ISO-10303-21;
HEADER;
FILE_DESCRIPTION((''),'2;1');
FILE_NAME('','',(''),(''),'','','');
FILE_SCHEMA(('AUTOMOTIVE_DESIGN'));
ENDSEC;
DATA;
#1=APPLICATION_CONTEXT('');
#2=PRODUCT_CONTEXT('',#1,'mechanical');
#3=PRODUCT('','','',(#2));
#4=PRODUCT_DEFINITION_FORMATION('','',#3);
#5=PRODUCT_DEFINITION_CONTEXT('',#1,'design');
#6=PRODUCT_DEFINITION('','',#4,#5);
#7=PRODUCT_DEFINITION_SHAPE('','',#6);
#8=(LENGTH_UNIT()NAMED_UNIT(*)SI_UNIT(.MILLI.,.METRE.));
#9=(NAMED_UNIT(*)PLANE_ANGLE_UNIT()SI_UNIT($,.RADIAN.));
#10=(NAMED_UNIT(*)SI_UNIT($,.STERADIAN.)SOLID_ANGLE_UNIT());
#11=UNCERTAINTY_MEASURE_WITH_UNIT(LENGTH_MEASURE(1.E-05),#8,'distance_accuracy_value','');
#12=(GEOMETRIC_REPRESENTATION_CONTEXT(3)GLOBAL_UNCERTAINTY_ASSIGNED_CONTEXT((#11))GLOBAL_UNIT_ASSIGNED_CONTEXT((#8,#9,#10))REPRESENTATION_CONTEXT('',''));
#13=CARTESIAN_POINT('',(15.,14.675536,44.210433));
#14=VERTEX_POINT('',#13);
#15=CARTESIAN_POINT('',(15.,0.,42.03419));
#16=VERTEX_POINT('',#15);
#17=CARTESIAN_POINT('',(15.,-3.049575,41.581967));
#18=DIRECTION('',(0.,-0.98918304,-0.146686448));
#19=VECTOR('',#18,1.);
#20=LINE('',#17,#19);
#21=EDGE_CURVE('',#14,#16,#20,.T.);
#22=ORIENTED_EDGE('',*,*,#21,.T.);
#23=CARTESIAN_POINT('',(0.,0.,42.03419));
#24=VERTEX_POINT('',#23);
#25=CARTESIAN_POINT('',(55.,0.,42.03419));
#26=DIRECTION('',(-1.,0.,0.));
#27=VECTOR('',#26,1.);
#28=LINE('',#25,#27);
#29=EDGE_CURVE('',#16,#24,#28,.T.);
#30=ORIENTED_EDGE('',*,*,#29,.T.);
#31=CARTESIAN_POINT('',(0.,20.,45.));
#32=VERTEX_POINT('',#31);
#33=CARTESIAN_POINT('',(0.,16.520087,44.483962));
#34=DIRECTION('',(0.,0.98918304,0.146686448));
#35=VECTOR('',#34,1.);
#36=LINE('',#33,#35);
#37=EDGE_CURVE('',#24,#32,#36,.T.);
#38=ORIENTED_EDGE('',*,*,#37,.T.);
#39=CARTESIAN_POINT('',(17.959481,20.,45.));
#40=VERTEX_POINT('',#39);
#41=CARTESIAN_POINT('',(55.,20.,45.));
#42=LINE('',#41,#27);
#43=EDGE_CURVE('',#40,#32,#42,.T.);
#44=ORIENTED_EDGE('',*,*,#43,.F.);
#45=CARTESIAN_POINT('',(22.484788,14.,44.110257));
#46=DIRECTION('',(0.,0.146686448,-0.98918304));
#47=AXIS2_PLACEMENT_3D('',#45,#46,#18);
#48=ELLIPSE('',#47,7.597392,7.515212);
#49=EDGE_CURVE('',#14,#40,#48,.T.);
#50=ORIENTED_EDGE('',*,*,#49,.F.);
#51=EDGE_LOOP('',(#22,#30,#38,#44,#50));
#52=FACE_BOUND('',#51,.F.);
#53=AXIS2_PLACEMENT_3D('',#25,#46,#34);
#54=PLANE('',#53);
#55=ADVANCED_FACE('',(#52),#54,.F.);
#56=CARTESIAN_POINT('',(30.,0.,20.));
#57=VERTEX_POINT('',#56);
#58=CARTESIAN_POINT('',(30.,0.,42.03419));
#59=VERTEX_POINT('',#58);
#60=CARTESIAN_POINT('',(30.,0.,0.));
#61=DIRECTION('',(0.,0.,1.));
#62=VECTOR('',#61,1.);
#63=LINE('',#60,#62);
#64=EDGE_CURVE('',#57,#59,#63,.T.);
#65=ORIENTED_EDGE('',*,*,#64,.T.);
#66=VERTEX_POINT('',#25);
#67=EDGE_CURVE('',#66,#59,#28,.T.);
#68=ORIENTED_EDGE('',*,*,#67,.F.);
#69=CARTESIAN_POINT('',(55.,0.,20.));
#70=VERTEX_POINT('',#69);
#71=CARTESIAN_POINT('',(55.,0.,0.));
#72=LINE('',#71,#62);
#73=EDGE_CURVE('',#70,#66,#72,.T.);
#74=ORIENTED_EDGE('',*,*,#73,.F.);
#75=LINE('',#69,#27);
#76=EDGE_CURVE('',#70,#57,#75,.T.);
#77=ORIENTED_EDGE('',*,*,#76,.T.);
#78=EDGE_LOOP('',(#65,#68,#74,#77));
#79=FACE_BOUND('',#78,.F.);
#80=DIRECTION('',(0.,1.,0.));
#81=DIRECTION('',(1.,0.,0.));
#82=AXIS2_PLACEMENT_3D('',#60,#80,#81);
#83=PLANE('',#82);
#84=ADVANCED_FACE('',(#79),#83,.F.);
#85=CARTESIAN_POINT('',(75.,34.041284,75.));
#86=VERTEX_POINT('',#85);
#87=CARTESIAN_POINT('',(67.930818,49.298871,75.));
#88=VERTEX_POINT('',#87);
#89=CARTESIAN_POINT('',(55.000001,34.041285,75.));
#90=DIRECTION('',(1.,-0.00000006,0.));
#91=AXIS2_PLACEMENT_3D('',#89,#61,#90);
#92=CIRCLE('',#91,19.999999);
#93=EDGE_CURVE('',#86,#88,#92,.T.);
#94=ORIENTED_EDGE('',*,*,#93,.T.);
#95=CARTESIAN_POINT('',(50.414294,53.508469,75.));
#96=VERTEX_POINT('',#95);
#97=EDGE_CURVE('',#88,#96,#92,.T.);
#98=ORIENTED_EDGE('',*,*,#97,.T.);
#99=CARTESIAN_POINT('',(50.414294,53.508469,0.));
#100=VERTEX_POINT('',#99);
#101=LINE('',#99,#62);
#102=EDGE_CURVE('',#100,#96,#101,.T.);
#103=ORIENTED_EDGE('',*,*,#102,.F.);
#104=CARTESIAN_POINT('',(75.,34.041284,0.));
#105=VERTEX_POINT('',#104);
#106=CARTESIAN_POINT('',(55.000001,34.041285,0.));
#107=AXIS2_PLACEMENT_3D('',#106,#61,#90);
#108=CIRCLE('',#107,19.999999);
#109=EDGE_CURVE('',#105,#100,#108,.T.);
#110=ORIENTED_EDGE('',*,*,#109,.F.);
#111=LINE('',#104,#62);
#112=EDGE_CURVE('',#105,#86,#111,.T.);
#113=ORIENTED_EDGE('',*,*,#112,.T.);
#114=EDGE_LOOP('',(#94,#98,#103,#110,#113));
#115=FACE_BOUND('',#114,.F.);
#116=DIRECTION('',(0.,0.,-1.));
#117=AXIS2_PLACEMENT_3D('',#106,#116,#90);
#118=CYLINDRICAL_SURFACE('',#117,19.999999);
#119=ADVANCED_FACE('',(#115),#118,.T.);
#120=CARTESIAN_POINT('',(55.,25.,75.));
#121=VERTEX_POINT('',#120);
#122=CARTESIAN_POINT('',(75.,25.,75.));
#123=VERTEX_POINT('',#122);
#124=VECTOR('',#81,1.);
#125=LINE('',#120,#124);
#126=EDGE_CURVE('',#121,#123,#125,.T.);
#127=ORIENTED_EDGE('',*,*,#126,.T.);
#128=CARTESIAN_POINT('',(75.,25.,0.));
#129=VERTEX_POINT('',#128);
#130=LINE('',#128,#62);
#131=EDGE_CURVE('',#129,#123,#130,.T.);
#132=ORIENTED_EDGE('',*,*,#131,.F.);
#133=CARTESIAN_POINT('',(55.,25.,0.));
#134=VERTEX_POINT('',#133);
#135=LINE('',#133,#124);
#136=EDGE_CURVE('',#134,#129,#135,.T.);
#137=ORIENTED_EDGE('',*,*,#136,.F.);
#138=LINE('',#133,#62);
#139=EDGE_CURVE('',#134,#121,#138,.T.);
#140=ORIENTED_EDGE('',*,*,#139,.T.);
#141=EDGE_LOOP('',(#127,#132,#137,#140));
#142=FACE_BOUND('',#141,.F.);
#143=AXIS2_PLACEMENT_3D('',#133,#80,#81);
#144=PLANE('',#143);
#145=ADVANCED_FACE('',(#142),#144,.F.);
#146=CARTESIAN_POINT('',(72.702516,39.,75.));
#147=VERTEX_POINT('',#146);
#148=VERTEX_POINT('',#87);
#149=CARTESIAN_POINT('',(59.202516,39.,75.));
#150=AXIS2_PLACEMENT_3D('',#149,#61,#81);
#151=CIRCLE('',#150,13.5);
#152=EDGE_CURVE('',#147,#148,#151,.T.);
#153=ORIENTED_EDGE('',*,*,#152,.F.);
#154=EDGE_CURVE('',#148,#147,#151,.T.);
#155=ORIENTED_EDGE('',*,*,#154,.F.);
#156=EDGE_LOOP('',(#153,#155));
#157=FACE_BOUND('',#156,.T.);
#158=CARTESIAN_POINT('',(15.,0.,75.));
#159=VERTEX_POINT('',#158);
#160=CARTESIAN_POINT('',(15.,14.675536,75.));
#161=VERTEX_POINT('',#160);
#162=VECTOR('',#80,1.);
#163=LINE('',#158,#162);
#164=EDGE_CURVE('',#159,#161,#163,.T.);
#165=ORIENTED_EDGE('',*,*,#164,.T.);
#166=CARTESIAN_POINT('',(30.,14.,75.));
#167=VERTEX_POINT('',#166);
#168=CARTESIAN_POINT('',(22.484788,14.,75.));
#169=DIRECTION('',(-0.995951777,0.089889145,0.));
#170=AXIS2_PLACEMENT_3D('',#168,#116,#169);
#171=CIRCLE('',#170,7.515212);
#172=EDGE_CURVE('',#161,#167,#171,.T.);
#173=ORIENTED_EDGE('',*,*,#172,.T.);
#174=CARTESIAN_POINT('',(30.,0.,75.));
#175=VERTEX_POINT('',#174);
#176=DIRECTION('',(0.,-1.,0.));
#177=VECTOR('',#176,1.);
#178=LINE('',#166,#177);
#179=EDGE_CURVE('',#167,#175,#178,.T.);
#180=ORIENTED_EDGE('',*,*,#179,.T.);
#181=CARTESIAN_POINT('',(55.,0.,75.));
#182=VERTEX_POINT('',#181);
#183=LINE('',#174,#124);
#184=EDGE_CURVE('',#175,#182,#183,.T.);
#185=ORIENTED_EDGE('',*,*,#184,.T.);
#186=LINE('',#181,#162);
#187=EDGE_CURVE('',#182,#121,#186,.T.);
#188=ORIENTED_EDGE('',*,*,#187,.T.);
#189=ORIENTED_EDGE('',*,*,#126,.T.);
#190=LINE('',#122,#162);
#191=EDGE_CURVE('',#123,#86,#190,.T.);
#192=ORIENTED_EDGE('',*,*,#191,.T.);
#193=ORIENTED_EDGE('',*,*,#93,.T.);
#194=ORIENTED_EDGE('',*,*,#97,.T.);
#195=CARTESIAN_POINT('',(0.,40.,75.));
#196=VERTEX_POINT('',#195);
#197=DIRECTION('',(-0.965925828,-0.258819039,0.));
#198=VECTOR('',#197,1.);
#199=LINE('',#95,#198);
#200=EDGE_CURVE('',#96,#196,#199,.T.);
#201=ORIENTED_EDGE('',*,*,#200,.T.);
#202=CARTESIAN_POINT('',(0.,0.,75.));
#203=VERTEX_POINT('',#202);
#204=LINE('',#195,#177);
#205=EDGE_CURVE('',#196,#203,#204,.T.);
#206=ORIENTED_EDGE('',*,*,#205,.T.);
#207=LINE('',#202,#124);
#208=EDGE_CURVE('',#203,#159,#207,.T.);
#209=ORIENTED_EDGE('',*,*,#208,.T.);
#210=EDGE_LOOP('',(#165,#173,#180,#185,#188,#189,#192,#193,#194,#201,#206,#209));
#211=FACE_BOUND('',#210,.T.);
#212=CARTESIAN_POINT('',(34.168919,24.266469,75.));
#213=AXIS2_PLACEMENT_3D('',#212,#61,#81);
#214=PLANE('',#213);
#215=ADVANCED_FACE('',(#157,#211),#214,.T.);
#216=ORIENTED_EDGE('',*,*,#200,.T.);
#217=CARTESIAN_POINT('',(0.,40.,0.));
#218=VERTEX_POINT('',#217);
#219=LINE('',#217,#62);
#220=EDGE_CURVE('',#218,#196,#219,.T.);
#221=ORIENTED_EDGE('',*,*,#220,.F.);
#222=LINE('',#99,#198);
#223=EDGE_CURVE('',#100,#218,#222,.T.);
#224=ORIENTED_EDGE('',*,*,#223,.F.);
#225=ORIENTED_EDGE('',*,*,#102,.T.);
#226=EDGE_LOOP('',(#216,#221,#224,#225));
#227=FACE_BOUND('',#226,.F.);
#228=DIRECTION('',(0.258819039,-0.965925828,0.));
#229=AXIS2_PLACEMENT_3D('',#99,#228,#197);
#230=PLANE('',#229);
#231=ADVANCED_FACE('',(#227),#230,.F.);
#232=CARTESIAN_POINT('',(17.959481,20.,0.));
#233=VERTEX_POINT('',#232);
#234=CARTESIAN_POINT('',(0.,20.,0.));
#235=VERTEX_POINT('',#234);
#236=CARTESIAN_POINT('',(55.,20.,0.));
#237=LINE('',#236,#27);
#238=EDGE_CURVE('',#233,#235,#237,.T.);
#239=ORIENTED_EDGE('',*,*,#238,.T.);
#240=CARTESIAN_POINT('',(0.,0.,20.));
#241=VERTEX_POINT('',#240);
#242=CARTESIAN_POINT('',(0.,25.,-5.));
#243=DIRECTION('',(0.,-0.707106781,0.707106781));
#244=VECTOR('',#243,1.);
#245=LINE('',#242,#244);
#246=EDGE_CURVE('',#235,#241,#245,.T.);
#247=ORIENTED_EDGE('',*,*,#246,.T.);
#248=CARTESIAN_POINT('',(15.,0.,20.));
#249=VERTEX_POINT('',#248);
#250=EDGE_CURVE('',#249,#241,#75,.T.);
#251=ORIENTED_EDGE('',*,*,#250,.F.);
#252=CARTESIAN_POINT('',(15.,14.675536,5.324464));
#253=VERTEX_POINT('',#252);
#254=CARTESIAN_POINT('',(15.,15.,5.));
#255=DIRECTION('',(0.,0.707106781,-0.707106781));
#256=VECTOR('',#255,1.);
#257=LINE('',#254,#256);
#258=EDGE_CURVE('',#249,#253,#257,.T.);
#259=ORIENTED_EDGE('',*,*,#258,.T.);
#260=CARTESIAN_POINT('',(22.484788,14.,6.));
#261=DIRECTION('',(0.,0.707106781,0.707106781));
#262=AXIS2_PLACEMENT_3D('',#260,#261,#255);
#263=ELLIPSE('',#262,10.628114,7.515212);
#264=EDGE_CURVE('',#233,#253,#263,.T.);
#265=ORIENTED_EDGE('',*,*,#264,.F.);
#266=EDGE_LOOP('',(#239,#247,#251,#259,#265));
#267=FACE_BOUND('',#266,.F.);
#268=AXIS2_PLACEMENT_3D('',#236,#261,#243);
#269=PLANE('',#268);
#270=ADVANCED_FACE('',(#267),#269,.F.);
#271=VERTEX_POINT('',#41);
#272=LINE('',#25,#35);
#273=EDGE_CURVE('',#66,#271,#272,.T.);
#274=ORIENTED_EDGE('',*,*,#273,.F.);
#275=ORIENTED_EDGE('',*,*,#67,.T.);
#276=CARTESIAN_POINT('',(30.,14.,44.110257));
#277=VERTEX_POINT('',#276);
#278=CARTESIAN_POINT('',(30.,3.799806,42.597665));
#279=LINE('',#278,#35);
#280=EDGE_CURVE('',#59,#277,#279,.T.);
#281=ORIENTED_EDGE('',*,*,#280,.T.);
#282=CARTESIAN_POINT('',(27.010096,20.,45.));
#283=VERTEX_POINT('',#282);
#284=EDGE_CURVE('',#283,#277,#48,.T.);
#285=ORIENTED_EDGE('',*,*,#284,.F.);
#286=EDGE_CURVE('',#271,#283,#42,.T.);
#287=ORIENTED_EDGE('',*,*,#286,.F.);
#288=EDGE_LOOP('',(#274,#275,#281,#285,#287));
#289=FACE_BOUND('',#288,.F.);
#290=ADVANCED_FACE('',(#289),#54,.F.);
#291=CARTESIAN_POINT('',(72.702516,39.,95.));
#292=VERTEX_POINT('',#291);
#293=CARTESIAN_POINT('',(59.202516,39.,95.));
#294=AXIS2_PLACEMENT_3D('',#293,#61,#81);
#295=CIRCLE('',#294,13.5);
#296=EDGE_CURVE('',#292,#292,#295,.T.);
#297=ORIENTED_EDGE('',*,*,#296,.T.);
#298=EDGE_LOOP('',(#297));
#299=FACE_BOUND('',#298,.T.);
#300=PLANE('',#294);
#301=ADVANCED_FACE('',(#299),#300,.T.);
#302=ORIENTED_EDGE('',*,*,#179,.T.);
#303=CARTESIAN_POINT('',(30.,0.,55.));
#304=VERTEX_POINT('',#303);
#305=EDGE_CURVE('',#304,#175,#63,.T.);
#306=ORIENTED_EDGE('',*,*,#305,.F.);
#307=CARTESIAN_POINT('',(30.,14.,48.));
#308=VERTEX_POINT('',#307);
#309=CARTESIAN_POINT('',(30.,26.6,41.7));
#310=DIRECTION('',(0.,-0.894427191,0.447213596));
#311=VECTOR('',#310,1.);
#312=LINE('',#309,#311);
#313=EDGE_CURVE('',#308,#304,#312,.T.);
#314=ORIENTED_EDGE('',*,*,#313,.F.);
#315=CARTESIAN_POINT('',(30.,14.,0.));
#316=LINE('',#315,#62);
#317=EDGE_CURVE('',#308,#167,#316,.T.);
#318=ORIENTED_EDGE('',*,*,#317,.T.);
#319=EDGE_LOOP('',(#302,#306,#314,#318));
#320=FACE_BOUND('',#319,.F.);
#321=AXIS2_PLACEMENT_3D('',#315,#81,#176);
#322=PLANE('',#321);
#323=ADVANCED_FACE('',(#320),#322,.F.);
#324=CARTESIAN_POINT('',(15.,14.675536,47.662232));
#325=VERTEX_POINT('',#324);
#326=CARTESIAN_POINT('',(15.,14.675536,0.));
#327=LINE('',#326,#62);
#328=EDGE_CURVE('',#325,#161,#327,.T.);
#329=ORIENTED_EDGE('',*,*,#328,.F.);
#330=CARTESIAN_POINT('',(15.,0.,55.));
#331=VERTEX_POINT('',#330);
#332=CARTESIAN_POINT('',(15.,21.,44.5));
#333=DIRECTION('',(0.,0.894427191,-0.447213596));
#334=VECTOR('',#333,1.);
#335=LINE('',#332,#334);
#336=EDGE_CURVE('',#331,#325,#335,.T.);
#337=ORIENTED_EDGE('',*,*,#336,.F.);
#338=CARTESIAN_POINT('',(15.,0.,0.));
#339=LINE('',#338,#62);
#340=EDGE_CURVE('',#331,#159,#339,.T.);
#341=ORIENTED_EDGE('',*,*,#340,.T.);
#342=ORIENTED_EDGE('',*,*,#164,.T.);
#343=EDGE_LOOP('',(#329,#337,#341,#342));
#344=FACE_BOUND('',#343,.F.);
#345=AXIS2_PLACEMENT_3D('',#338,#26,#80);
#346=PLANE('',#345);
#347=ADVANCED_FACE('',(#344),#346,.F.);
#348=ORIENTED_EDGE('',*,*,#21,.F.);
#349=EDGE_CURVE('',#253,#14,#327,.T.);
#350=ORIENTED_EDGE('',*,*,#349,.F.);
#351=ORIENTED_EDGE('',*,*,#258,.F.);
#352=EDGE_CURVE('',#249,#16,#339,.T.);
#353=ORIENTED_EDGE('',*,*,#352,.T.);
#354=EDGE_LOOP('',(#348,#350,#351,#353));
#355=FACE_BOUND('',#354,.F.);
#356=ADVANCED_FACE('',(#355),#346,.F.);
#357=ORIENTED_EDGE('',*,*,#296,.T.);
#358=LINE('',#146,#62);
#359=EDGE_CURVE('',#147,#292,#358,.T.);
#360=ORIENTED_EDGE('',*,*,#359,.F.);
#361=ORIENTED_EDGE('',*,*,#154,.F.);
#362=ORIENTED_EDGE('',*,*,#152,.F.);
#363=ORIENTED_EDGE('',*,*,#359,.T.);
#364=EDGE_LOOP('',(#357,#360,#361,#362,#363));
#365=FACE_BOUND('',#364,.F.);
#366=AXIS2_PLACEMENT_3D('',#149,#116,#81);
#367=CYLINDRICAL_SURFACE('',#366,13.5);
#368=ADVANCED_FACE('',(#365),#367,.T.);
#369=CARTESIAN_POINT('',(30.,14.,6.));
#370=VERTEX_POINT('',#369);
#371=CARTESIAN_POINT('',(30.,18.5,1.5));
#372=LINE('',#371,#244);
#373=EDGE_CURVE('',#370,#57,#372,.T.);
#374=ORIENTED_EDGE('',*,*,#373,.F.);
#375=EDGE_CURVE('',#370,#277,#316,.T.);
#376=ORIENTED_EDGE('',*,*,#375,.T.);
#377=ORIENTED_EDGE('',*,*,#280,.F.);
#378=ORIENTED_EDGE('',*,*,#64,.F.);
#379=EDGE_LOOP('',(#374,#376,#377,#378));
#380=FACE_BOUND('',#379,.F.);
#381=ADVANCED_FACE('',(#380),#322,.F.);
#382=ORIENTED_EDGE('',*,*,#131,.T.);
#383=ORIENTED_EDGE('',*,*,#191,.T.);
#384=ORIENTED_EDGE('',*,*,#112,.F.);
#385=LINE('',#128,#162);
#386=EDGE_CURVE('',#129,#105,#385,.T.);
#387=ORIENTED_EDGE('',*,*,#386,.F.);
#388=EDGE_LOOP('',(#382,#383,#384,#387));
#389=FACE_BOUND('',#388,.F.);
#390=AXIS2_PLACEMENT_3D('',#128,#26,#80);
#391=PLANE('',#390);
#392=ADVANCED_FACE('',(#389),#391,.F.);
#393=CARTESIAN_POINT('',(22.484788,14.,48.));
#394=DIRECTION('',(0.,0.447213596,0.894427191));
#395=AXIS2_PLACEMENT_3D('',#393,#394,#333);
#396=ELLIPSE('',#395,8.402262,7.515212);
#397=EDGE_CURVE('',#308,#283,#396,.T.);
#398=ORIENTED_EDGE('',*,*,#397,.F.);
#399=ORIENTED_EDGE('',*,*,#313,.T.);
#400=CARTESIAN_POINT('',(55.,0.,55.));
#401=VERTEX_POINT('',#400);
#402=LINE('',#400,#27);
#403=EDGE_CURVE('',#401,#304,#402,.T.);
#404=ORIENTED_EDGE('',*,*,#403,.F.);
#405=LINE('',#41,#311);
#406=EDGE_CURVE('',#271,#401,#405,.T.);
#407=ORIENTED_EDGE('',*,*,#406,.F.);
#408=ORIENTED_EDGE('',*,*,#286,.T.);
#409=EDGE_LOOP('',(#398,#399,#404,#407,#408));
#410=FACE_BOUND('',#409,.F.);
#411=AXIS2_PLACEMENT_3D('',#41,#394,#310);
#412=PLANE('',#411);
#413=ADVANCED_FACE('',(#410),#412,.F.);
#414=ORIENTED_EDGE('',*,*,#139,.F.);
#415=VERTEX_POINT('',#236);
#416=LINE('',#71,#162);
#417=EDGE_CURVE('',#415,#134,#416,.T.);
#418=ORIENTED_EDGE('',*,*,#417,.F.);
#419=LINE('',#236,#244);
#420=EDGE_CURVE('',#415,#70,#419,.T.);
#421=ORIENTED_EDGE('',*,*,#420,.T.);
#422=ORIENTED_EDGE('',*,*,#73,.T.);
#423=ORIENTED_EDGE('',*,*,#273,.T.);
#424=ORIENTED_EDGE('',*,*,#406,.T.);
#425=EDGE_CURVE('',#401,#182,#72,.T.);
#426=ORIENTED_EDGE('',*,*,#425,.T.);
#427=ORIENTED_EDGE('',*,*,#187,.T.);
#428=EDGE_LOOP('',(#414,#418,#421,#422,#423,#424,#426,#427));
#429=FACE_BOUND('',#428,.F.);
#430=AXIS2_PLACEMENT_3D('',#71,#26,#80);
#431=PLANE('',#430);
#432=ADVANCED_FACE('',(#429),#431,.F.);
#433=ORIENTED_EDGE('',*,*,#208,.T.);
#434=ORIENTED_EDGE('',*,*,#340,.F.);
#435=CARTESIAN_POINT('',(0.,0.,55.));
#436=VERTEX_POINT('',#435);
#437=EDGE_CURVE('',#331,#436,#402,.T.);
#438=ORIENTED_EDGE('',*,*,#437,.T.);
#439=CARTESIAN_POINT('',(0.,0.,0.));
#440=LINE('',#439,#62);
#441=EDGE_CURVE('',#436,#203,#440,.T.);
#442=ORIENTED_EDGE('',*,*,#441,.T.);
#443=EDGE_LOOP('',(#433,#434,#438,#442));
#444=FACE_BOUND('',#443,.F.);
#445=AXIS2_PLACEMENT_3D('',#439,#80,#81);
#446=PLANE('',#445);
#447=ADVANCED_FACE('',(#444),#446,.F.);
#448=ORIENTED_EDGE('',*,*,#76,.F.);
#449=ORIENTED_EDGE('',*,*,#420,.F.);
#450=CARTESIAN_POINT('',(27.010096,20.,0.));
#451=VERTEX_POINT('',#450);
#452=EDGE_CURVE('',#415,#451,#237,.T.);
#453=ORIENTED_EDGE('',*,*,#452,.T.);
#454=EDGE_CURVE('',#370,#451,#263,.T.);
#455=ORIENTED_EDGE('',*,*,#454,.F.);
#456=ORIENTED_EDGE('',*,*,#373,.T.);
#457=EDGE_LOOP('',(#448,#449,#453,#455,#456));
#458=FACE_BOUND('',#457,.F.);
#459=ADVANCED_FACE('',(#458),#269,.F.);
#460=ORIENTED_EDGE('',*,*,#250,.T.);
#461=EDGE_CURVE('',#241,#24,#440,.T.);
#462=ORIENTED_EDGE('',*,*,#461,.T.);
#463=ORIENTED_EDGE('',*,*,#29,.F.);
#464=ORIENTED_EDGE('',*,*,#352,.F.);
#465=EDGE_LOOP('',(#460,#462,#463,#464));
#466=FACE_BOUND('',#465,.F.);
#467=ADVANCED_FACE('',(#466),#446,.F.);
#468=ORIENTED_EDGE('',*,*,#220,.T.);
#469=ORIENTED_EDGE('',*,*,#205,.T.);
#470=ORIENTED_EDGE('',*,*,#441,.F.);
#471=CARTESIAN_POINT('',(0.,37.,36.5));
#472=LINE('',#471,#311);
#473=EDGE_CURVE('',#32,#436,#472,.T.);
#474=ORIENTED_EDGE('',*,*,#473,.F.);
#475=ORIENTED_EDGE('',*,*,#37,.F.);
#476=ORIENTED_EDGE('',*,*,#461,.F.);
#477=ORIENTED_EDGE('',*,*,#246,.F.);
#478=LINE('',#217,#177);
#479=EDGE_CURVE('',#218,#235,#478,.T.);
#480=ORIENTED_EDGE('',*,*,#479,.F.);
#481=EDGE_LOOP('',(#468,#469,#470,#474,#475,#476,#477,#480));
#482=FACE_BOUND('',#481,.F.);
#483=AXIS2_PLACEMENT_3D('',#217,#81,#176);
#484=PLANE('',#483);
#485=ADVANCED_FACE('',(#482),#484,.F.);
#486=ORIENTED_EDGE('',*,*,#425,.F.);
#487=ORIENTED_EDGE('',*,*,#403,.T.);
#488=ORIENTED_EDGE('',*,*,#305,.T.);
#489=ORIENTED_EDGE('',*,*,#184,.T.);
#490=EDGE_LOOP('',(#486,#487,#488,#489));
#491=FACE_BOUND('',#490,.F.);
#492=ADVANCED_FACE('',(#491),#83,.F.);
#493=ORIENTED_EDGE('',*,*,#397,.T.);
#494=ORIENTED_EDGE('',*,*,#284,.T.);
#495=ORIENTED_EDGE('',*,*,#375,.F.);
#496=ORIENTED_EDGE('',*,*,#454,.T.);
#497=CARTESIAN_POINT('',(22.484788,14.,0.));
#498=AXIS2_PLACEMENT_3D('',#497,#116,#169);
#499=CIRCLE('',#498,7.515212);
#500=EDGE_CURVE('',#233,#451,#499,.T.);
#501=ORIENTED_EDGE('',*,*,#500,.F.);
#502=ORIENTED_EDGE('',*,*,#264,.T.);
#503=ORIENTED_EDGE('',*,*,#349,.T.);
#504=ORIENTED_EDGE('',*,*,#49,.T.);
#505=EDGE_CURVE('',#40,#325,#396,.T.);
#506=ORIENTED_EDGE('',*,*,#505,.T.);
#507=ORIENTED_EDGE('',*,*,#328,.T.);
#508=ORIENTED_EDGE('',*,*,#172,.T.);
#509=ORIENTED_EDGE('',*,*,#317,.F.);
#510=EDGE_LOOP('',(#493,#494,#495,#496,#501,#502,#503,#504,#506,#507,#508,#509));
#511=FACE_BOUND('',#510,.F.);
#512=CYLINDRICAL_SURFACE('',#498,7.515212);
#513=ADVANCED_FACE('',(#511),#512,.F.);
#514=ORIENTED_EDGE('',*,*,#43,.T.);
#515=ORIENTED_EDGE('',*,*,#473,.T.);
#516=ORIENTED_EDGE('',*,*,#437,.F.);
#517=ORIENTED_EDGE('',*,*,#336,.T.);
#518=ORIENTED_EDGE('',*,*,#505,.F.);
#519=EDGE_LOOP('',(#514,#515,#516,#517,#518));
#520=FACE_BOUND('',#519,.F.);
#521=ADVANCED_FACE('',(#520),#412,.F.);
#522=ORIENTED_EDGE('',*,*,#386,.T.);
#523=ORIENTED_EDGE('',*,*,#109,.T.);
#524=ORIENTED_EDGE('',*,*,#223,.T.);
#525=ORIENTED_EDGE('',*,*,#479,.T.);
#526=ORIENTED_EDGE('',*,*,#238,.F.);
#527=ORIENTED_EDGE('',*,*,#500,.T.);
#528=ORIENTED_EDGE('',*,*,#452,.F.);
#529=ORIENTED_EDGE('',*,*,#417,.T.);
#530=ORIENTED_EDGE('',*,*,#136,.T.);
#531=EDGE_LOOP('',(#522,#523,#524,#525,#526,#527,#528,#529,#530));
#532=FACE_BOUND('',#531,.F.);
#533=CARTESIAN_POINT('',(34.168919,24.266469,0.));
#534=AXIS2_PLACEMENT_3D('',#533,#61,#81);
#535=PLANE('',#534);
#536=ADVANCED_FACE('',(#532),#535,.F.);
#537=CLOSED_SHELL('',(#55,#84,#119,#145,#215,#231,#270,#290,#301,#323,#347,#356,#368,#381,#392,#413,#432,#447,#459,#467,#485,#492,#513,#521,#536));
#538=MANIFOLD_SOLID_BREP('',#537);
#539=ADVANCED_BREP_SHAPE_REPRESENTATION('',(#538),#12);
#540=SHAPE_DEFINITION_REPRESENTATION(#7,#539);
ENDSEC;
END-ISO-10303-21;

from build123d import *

# Parameters (mm, degrees)
F1_DEPTH = 75
F2_R     = 13.5
F3_DEPTH = 20
F5_DEPTH = 55.001
F7_DEPTH = 55.001


with BuildPart() as f1:
    # F0 (on Top) → F1 (new body)
    with BuildSketch(Plane.XY):
        with BuildLine():
            Line((0, 40), (0, 0))
            Line((0, 0), (15, 0))
            Line((15, 0), (15, 14.675536))
            ThreePointArc((15, 14.675536), (22.822899, 21.507602), (30, 14))
            Line((30, 14), (30, 0))
            Line((30, 0), (55, 0))
            Line((55, 0), (55, 25))
            Line((55, 25), (75, 25))
            Line((75, 25), (75, 34.041284))
            ThreePointArc((75, 34.041284), (67.415432, 49.721114), (50.414294, 53.508469))
            Line((50.414294, 53.508469), (0, 40))
        make_face()
    extrude(amount=F1_DEPTH)

    # F2 (on face) → F3 (join)
    with BuildSketch(Plane.XY.offset(75)):
        with Locations((59.202516, 39)):
            Circle(F2_R)
    extrude(amount=F3_DEPTH)

    # F4 (on face) → F5 (cut, through all)
    with BuildSketch(Plane.YZ.offset(55)):
        Polygon((20, 45), (0, 55), (0, 42.03419), align=None)
    extrude(amount=-F5_DEPTH, mode=Mode.SUBTRACT)

    # F6 (on face) → F7 (cut, through all)
    with BuildSketch(Plane.YZ.offset(55)):
        Polygon((20, 0), (0, 20), (0, 0), align=None)
    extrude(amount=-F7_DEPTH, mode=Mode.SUBTRACT)


solid = f1.part
